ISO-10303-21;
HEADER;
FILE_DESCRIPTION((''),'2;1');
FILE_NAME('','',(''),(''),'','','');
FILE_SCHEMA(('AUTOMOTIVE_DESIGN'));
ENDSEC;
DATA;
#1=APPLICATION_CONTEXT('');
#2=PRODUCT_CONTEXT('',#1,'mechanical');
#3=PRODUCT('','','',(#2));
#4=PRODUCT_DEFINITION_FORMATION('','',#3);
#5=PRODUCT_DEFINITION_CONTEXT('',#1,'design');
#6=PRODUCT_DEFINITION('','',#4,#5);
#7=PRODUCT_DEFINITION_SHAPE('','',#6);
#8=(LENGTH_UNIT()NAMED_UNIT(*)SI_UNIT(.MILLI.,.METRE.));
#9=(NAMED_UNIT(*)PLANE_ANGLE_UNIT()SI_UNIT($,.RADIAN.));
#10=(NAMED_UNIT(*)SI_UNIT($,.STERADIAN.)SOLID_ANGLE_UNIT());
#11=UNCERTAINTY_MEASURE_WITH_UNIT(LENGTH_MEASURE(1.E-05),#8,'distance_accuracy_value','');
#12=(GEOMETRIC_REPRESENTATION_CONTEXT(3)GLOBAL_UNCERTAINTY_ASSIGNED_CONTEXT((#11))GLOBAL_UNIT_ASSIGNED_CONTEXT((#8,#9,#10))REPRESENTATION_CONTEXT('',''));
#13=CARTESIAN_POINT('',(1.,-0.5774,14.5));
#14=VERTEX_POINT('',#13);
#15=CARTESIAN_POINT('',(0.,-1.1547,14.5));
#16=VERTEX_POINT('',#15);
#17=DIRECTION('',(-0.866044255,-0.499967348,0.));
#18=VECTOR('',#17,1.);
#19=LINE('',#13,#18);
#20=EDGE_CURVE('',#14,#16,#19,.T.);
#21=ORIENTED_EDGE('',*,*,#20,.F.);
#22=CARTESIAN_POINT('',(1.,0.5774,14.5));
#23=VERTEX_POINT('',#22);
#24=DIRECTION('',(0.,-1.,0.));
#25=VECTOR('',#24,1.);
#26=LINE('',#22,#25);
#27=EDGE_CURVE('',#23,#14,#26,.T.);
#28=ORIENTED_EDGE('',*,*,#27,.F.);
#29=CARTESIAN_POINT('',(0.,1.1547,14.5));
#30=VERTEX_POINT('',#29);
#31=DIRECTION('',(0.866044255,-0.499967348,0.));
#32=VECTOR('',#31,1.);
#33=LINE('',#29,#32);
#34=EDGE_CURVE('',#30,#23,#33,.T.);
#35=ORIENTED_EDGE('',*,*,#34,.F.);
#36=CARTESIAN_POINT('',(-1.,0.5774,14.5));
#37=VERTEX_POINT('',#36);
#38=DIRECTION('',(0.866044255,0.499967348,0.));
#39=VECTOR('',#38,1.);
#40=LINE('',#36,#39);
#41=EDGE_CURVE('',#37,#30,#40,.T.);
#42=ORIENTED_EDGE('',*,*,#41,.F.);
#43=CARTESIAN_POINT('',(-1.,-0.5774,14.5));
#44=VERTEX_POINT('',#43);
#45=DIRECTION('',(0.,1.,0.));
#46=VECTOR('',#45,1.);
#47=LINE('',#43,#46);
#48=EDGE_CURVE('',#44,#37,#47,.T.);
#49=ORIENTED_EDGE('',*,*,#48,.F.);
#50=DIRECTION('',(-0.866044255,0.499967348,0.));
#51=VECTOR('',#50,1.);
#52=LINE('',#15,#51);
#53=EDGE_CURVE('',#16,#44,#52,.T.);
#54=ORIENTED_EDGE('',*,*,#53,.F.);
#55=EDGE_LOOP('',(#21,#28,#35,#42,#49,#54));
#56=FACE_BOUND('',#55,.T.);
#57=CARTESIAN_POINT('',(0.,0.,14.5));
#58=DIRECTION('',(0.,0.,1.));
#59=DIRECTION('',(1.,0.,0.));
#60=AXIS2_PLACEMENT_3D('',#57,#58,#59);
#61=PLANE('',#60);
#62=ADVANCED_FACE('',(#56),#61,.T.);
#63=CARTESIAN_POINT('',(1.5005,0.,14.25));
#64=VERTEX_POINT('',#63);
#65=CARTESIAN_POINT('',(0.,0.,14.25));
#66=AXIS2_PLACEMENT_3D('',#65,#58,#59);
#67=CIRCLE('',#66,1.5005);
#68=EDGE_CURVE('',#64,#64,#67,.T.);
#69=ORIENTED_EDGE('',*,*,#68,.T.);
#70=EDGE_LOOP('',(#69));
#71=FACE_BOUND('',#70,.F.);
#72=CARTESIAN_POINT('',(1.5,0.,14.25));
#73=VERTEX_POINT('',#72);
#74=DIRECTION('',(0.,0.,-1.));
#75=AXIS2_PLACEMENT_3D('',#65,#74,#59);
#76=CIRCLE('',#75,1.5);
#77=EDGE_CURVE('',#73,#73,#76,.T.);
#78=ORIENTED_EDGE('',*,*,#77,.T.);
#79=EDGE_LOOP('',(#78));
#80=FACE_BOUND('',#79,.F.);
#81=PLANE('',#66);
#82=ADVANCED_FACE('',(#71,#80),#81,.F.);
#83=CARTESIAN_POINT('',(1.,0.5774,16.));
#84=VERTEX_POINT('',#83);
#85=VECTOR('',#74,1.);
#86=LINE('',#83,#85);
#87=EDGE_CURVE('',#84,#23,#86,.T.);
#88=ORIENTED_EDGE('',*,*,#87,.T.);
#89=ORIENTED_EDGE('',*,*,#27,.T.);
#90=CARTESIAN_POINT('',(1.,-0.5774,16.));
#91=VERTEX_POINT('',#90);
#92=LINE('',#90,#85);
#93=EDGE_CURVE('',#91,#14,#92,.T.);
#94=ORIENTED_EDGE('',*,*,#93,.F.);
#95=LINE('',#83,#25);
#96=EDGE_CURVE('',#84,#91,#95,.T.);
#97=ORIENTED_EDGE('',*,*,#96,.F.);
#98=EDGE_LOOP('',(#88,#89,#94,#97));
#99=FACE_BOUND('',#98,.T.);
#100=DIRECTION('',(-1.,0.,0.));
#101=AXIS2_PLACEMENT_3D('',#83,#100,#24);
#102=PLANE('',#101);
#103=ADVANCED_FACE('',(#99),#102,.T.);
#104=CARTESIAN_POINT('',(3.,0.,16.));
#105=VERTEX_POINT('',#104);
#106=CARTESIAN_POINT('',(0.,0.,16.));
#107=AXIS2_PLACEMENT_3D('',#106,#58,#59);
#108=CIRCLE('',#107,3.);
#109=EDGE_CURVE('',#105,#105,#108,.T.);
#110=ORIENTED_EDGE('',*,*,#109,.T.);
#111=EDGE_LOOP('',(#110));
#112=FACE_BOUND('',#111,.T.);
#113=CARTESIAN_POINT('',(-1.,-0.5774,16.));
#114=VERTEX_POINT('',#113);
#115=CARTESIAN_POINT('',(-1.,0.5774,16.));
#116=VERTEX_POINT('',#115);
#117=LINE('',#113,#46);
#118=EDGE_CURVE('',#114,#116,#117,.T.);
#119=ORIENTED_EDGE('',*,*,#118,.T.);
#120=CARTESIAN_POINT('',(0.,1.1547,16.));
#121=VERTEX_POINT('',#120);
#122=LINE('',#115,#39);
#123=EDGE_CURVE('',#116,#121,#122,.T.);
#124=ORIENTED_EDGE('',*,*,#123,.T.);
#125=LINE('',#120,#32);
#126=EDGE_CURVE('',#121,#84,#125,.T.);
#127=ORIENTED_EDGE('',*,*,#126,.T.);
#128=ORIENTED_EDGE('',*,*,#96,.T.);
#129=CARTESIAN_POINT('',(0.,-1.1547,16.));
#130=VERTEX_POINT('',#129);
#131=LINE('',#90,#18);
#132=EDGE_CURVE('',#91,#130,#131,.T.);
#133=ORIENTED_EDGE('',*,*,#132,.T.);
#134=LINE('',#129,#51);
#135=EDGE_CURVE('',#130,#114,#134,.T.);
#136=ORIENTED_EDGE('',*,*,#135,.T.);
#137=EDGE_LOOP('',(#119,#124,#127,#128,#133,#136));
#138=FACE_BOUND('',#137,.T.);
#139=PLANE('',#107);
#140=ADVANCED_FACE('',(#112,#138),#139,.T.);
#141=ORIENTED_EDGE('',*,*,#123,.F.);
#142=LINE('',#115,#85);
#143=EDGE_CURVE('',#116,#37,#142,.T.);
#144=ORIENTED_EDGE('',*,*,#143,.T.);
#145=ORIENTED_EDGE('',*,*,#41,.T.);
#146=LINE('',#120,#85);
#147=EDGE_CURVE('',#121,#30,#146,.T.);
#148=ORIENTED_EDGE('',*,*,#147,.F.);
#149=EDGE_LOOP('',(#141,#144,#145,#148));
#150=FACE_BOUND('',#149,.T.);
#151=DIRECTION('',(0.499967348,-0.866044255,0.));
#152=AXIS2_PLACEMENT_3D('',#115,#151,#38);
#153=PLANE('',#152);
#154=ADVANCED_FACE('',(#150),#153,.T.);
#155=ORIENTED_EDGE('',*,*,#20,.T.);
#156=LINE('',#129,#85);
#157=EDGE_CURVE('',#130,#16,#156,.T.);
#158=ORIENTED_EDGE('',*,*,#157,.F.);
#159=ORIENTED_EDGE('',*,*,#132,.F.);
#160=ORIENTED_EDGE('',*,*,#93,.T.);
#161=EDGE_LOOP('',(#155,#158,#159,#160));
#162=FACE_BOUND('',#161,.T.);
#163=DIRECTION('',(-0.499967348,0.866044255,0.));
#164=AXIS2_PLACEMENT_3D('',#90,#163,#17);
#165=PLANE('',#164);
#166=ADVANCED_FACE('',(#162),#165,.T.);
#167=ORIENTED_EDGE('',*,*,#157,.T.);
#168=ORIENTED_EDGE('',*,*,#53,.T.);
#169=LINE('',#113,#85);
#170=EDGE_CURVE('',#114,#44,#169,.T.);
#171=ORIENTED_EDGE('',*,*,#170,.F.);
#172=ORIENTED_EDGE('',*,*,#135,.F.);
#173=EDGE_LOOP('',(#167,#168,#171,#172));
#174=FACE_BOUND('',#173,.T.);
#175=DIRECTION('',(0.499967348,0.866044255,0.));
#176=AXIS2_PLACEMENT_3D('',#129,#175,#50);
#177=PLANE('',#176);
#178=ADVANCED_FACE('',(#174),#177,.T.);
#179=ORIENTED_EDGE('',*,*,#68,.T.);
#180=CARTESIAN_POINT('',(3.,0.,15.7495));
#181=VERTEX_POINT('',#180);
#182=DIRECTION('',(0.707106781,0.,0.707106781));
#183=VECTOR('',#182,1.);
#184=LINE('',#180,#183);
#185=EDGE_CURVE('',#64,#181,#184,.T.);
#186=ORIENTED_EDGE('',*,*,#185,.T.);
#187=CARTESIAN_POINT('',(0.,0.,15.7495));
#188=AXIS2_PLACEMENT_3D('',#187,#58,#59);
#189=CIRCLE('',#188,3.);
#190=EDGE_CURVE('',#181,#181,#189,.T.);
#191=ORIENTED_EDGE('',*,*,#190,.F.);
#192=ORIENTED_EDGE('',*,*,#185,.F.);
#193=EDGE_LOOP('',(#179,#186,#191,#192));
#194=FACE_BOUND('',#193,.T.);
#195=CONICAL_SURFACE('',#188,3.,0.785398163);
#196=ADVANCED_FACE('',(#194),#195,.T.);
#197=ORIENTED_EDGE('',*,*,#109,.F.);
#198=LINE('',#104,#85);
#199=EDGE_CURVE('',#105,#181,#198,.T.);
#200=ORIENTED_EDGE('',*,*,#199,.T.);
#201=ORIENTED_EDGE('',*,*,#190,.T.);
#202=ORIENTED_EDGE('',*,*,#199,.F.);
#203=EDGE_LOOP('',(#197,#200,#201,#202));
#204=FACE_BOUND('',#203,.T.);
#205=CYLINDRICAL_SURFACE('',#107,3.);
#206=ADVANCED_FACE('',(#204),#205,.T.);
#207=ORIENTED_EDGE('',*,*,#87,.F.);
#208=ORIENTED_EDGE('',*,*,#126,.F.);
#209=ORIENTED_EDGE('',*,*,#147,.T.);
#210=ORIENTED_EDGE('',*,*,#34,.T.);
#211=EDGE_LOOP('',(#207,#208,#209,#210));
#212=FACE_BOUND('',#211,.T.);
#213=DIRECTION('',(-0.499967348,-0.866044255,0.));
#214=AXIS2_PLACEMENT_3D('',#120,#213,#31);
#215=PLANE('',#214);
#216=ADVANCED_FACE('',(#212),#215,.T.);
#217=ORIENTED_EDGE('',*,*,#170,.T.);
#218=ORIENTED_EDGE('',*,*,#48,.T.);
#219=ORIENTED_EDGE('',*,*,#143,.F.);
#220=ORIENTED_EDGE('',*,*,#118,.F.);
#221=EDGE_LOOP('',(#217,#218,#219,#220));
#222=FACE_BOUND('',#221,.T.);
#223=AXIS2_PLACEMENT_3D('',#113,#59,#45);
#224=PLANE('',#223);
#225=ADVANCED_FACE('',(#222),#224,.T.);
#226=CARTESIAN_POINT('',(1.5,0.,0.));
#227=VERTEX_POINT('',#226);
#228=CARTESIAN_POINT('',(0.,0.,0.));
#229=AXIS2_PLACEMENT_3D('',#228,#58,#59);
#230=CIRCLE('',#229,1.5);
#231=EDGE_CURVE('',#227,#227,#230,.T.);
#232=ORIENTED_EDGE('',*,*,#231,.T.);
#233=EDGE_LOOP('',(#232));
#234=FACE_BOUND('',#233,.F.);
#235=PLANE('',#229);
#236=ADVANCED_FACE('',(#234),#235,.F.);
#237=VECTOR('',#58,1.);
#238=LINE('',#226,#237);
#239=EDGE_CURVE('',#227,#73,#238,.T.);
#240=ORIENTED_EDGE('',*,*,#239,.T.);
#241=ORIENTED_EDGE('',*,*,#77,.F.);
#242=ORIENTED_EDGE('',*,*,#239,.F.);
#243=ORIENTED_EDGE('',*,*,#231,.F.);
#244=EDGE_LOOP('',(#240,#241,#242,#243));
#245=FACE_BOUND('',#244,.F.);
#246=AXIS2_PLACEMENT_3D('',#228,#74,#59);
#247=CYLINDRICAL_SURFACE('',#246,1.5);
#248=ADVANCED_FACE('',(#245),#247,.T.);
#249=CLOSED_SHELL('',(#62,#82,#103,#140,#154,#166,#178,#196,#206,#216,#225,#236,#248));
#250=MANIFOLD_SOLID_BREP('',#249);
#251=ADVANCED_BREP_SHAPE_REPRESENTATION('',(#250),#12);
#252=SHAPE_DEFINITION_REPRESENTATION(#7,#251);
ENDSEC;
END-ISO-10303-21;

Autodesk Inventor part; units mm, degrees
ref_plane "YZ Plane" through (0, 0, 0) normal (1, 0, 0) x (0, 1, 0)
ref_plane "XZ Plane" through (0, 0, 0) normal (0, 1, 0) x (-1, 0, 0)
ref_plane "XY Plane" through (0, 0, 0) normal (0, 0, 1) x (1, 0, 0)
sketch "スケッチ1" plane through (0, 0, 0) normal (0, 0, 1) x (1, 0, 0)
  circle A0 centre (0, 0) radius 1.5
  dimension "d0" = 3
extrude "押し出し1" add sketch "スケッチ1" along normal blind 16
thread "ねじ1" size "M3x0.5" class "6g" standard "ANSI Metric M Profile" full length
sketch "スケッチ2" plane through (0, 0, 16) normal (0, 0, 1) x (1, 0, 0)
  circle A0 centre (0, 0) radius 3
  dimension "d5" = 6
extrude "押し出し2" add sketch "スケッチ2" against normal blind 1.75
chamfer "面取り1" distance 1.5 angle 45 1 edges at (-3, 0, 14.25)
sketch "スケッチ3" plane through (0, 0, 16) normal (0, 0, 1) x (1, 0, 0)
  line L0 (0, 1.1547) -> (1, 0.5774)
  line L1 (1, 0.5774) -> (1, -0.5774)
  line L2 (1, -0.5774) -> (0, -1.1547)
  line L3 (0, -1.1547) -> (-1, -0.5774)
  line L4 (-1, -0.5774) -> (-1, 0.5774)
  line L5 (-1, 0.5774) -> (0, 1.1547)
  point P0 (0, 0)
  point P1 (0, 0)
  dimension "d11" = 2
extrude "押し出し3" cut sketch "スケッチ3" against normal blind 1.5
properties part number "m3皿ネジ16" material "鉄 灰色"
